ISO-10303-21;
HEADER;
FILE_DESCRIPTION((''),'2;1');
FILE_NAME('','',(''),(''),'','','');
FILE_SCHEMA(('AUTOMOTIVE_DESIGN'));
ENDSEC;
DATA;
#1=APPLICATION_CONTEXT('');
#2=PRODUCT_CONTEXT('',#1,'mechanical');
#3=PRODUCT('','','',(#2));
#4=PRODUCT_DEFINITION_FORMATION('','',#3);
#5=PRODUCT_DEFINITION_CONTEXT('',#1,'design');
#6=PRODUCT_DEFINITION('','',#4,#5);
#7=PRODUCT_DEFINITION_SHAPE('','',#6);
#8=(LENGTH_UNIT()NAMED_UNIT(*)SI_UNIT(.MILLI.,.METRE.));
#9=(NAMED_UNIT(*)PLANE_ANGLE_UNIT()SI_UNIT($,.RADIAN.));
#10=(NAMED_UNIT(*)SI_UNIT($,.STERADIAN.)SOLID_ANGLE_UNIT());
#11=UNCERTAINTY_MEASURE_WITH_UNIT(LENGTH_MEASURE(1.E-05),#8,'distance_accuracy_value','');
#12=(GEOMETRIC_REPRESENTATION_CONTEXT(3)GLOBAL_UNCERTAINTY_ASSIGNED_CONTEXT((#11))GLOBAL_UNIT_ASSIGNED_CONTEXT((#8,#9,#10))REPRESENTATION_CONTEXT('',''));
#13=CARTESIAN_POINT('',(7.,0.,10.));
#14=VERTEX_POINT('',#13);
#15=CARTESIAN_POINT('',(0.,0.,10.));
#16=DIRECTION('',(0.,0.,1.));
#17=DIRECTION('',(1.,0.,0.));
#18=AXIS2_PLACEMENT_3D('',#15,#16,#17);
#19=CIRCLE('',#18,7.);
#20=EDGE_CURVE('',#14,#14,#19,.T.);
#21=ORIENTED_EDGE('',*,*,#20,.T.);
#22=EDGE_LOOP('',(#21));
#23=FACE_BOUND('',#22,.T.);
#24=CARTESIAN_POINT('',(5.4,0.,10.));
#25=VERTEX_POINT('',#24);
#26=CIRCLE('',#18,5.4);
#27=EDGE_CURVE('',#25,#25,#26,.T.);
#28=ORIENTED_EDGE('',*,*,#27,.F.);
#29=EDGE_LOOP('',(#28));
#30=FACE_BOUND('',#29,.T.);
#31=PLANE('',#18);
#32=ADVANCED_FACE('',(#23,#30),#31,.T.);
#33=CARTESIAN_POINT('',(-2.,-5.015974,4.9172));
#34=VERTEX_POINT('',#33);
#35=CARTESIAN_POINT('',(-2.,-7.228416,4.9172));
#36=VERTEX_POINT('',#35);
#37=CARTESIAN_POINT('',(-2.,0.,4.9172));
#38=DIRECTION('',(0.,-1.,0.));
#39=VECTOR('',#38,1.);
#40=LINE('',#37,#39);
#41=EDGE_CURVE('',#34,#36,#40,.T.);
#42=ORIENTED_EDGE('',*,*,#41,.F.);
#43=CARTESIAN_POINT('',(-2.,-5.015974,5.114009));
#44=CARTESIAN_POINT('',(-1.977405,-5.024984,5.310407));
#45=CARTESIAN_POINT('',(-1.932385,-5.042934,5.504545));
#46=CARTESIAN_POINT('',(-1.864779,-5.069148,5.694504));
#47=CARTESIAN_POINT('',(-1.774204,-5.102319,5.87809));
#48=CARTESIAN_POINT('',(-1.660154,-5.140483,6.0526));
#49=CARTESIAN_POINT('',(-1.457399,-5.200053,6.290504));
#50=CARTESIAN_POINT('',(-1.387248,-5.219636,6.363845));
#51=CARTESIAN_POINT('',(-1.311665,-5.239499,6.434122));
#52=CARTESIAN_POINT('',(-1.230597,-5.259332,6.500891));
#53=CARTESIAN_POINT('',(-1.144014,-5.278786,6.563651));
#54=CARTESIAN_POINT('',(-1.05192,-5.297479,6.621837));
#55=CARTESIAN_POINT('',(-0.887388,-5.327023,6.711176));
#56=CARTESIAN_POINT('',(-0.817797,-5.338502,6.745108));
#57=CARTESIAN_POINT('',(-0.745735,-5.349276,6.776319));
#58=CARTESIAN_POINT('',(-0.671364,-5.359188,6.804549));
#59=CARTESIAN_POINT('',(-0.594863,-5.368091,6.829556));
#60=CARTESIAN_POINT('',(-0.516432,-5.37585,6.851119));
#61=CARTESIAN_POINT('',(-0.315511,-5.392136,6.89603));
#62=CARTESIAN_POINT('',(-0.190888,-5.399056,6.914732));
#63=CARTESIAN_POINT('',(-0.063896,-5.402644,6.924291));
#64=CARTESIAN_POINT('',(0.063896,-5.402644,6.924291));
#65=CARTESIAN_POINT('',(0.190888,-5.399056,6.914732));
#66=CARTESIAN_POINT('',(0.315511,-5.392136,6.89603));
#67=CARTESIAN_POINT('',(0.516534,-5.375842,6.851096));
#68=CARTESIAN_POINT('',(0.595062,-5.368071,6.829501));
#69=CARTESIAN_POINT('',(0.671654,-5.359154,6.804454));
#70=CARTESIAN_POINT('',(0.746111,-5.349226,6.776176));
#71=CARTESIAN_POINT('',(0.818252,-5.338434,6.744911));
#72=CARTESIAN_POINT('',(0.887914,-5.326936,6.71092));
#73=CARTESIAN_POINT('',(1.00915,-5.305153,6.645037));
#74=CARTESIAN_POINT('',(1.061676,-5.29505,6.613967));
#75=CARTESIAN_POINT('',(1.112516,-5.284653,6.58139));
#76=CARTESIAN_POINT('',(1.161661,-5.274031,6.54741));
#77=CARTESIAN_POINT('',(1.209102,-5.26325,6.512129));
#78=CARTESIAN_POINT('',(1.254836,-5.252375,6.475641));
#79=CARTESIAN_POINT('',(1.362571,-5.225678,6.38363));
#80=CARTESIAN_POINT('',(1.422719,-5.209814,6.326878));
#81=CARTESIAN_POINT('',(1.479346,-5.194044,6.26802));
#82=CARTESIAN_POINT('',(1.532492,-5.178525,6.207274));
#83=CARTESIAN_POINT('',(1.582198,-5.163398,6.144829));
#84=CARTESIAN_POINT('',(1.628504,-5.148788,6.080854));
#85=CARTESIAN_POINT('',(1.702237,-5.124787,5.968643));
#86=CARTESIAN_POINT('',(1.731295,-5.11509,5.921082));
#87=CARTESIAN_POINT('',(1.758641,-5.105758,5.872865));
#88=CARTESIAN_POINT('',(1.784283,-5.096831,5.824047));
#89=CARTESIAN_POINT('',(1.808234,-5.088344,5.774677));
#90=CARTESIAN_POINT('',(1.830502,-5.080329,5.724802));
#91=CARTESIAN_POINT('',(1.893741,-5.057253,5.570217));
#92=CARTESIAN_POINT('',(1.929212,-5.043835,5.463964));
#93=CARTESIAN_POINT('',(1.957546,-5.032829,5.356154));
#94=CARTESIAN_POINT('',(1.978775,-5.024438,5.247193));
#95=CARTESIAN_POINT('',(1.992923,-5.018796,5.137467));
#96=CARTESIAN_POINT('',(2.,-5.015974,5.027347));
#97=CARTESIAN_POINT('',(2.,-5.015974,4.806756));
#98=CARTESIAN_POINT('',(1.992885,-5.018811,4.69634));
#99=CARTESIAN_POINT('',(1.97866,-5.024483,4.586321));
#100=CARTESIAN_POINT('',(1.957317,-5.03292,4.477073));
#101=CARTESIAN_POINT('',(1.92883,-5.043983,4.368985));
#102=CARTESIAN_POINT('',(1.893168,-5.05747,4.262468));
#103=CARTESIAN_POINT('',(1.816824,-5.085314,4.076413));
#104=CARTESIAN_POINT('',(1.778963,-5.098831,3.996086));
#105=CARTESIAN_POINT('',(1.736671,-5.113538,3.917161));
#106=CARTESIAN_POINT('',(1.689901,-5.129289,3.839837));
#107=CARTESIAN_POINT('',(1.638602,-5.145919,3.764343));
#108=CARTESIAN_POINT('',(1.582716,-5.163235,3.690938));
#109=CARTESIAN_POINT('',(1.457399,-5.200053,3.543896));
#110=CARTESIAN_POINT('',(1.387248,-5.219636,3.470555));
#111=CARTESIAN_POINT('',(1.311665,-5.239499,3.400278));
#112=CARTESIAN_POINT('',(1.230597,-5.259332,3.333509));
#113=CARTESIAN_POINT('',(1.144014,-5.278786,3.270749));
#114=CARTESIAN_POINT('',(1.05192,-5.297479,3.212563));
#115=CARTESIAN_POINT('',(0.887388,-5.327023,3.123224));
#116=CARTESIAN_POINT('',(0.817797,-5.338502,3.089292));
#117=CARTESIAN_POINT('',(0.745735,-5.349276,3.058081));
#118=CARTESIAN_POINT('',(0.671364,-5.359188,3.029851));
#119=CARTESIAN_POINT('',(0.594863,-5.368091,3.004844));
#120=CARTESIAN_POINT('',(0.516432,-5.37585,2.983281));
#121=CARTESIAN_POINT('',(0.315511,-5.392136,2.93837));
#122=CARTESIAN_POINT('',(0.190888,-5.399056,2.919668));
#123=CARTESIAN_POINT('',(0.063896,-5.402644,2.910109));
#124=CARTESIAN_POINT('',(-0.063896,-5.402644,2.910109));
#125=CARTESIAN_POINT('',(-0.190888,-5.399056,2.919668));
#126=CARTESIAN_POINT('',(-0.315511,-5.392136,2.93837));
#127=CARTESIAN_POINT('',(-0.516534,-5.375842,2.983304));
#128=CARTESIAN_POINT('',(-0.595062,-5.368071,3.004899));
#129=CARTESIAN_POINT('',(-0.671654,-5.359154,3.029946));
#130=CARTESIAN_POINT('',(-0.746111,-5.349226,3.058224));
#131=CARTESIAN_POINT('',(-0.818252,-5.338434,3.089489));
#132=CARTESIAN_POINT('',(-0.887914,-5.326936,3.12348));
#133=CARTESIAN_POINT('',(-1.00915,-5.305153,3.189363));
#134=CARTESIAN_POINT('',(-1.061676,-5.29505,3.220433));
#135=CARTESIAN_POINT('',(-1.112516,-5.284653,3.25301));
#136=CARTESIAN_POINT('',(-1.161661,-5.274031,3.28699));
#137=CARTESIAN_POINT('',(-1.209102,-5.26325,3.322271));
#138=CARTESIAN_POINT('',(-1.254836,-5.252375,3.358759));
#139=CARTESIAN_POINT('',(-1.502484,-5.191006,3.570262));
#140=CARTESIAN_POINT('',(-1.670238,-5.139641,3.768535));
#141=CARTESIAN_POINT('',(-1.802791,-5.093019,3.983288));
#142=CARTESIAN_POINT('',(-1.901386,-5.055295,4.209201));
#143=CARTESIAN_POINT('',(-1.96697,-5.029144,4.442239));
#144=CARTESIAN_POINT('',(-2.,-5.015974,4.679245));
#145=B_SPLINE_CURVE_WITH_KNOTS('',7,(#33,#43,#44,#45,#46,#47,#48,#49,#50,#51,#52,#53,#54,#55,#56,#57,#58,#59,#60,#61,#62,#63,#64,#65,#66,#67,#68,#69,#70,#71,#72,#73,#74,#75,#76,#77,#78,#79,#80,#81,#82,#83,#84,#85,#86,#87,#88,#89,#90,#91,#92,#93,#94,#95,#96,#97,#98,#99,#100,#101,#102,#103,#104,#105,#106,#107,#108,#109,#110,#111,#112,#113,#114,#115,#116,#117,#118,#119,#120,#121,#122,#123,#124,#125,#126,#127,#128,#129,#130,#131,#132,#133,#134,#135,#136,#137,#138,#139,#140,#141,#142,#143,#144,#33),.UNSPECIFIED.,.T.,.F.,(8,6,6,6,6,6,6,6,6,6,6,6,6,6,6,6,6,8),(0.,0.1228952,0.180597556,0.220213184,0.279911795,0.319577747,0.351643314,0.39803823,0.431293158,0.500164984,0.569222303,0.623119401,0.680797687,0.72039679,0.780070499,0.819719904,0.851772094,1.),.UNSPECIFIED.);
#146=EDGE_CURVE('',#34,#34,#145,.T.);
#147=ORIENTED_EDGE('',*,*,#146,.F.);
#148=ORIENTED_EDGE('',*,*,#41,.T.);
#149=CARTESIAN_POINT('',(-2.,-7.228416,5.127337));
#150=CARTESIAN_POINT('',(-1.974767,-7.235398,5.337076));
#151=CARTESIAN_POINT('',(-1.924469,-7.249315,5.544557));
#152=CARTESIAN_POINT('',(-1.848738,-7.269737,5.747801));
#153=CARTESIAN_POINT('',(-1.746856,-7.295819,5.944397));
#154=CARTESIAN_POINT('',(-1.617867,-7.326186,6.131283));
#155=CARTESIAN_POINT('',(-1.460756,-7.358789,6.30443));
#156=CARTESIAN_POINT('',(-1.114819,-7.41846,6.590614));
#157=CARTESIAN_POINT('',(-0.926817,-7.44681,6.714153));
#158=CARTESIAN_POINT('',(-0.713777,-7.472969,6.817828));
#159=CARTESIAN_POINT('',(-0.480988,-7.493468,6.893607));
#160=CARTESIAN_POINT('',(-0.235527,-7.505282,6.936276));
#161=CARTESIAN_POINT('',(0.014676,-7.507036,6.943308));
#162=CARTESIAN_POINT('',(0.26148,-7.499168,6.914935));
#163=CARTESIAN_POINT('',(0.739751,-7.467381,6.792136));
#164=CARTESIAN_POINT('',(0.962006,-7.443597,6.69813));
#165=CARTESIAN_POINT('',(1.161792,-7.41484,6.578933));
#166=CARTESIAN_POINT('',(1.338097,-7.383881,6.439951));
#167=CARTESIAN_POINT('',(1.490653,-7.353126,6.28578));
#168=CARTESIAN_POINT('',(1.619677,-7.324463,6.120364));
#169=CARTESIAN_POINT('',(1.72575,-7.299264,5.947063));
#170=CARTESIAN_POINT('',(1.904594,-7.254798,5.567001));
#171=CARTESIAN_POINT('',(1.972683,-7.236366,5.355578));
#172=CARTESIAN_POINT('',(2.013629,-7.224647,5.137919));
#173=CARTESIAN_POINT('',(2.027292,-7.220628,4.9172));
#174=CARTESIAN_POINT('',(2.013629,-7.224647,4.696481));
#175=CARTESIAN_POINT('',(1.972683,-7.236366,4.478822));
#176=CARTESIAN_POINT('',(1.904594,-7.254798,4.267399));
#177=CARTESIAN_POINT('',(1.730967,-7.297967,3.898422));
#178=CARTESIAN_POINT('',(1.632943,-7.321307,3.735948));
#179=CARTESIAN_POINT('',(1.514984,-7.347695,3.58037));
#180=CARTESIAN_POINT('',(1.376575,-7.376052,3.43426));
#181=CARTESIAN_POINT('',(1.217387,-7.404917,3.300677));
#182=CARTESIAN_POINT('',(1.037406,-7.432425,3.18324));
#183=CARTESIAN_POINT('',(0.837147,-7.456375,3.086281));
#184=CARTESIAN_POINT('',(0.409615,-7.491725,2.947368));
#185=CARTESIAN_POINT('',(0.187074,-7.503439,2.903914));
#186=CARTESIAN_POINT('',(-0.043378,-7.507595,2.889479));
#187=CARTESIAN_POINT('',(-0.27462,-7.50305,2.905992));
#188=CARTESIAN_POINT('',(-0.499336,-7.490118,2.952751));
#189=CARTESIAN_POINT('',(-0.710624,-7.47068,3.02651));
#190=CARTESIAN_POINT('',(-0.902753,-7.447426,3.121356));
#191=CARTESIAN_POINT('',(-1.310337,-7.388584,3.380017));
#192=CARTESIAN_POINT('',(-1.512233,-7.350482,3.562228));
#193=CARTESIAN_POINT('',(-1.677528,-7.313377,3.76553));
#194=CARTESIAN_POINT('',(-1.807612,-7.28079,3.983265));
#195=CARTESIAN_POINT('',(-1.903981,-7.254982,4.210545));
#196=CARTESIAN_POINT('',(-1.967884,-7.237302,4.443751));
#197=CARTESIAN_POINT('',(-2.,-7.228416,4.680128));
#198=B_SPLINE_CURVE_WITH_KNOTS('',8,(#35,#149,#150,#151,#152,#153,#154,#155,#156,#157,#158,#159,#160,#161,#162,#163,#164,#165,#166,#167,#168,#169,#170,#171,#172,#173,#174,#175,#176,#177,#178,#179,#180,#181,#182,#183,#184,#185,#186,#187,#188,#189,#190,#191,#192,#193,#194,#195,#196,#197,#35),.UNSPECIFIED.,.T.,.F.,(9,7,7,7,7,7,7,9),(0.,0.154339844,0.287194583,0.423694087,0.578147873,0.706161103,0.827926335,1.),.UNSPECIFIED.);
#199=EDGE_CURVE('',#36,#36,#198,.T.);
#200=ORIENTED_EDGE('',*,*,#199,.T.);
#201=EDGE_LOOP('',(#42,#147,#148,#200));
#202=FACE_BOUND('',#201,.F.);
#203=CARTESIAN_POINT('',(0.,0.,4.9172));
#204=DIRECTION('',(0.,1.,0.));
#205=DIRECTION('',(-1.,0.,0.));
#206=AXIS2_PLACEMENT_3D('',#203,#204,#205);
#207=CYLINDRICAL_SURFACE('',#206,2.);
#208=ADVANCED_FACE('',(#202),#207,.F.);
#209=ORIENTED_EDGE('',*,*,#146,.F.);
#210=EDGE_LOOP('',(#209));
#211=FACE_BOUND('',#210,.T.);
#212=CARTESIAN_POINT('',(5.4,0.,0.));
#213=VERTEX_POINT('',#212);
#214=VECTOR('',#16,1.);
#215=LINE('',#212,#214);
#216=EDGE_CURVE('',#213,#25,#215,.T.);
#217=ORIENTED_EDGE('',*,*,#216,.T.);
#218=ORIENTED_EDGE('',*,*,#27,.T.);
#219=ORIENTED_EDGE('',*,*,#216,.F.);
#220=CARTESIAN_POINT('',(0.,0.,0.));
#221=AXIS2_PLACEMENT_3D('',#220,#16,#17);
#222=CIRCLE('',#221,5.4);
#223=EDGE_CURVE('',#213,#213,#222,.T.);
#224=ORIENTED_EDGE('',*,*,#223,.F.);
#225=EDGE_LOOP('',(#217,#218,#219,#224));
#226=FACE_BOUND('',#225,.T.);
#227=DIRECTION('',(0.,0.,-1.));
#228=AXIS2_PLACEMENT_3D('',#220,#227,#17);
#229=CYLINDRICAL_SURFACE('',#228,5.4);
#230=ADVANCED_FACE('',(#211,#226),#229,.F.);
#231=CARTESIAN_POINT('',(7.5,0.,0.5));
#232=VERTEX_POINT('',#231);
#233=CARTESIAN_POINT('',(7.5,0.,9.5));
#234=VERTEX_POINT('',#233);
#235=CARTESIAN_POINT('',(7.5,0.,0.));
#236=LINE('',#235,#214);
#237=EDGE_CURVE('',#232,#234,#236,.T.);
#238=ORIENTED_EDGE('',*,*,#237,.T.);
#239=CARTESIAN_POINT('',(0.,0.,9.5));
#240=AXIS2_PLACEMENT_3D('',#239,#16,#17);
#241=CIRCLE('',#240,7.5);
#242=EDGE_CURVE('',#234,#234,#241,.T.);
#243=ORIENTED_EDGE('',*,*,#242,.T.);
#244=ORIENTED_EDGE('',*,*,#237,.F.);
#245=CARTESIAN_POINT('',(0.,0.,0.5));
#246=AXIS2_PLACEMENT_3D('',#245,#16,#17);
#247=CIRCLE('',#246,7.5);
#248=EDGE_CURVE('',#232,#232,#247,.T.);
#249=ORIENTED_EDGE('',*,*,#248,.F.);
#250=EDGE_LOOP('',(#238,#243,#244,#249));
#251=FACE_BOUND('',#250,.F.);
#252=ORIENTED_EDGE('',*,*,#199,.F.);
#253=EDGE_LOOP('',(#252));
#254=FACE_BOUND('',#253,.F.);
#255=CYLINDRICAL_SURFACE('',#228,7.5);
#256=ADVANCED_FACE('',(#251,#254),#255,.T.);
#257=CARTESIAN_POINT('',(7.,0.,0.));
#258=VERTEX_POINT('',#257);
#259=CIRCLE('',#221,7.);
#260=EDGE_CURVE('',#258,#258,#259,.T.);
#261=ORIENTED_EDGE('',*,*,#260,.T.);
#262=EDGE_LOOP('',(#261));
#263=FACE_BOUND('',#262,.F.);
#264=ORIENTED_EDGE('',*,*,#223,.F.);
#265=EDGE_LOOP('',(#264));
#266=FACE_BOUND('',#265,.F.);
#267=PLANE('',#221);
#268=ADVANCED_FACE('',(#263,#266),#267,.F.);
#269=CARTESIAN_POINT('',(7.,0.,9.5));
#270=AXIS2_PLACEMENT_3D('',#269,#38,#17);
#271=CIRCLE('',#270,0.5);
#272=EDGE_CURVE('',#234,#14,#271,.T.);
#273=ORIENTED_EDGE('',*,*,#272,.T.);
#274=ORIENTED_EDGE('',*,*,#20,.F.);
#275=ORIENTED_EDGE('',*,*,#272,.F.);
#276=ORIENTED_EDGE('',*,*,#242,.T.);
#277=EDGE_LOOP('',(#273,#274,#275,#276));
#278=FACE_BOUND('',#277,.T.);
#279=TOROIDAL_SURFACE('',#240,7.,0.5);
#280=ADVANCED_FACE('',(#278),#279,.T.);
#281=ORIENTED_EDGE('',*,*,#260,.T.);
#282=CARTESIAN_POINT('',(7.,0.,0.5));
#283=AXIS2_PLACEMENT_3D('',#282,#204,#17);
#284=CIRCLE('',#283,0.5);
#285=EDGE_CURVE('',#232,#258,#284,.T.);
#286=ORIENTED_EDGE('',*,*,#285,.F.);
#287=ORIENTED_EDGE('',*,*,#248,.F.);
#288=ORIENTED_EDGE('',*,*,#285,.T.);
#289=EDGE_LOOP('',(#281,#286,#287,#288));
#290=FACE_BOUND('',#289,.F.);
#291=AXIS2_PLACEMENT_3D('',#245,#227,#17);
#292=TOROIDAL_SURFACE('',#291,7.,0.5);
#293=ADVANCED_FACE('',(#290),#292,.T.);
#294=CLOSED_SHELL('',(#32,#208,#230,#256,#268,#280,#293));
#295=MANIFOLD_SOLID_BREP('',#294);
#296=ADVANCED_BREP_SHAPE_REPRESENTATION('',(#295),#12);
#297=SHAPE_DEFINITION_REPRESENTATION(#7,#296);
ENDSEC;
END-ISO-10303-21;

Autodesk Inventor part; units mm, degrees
ref_plane "YZ Plane" through (0, 0, 0) normal (1, 0, 0) x (0, 1, 0)
ref_plane "XZ Plane" through (0, 0, 0) normal (0, 1, 0) x (-1, 0, 0)
ref_plane "XY Plane" through (0, 0, 0) normal (0, 0, 1) x (1, 0, 0)
sketch "Sketch1" plane through (0, 0, 0) normal (0, 0, 1) x (1, 0, 0)
  circle A0 centre (0, 0) radius 5.4
  circle A1 centre (0, 0) radius 7.5
  dimension "d0" = 10.8
  dimension "d1" = 15
extrude "Extrusion1" add sketch "Sketch1" along normal blind 10
fillet "Fillet1" radius 0.5 2 edges at (-7.5, 0, 10) (-7.5, 0, 0)
sketch "Sketch4" plane through (0, 0, 0) normal (0, 1, 0) x (-1, 0, 0)
  circle A0 centre (0, 4.9172) radius 2
  point P0 (0, 0)
  dimension "d5" = 4
extrude "Extrusion2" cut sketch "Sketch4" against normal blind 10
equation "\"BendRadius\" = Thickness"
equation "\"BendReliefWidth\" = Thickness"
equation "\"BendReliefDepth\" = 0.5 * Thickness"
equation "\"CornerReliefSize\" = 4 * Thickness"
equation "\"MinimumRemnant\" = 2 * Thickness"
equation "\"TransitionRadius\" = BendRadius"
equation "\"JacobiRadiusSize\" = BendRadius"
equation "\"GapSize\" = Thickness"
equation "\"Thickness\" = 0.5"
properties part number "khóa trục"
